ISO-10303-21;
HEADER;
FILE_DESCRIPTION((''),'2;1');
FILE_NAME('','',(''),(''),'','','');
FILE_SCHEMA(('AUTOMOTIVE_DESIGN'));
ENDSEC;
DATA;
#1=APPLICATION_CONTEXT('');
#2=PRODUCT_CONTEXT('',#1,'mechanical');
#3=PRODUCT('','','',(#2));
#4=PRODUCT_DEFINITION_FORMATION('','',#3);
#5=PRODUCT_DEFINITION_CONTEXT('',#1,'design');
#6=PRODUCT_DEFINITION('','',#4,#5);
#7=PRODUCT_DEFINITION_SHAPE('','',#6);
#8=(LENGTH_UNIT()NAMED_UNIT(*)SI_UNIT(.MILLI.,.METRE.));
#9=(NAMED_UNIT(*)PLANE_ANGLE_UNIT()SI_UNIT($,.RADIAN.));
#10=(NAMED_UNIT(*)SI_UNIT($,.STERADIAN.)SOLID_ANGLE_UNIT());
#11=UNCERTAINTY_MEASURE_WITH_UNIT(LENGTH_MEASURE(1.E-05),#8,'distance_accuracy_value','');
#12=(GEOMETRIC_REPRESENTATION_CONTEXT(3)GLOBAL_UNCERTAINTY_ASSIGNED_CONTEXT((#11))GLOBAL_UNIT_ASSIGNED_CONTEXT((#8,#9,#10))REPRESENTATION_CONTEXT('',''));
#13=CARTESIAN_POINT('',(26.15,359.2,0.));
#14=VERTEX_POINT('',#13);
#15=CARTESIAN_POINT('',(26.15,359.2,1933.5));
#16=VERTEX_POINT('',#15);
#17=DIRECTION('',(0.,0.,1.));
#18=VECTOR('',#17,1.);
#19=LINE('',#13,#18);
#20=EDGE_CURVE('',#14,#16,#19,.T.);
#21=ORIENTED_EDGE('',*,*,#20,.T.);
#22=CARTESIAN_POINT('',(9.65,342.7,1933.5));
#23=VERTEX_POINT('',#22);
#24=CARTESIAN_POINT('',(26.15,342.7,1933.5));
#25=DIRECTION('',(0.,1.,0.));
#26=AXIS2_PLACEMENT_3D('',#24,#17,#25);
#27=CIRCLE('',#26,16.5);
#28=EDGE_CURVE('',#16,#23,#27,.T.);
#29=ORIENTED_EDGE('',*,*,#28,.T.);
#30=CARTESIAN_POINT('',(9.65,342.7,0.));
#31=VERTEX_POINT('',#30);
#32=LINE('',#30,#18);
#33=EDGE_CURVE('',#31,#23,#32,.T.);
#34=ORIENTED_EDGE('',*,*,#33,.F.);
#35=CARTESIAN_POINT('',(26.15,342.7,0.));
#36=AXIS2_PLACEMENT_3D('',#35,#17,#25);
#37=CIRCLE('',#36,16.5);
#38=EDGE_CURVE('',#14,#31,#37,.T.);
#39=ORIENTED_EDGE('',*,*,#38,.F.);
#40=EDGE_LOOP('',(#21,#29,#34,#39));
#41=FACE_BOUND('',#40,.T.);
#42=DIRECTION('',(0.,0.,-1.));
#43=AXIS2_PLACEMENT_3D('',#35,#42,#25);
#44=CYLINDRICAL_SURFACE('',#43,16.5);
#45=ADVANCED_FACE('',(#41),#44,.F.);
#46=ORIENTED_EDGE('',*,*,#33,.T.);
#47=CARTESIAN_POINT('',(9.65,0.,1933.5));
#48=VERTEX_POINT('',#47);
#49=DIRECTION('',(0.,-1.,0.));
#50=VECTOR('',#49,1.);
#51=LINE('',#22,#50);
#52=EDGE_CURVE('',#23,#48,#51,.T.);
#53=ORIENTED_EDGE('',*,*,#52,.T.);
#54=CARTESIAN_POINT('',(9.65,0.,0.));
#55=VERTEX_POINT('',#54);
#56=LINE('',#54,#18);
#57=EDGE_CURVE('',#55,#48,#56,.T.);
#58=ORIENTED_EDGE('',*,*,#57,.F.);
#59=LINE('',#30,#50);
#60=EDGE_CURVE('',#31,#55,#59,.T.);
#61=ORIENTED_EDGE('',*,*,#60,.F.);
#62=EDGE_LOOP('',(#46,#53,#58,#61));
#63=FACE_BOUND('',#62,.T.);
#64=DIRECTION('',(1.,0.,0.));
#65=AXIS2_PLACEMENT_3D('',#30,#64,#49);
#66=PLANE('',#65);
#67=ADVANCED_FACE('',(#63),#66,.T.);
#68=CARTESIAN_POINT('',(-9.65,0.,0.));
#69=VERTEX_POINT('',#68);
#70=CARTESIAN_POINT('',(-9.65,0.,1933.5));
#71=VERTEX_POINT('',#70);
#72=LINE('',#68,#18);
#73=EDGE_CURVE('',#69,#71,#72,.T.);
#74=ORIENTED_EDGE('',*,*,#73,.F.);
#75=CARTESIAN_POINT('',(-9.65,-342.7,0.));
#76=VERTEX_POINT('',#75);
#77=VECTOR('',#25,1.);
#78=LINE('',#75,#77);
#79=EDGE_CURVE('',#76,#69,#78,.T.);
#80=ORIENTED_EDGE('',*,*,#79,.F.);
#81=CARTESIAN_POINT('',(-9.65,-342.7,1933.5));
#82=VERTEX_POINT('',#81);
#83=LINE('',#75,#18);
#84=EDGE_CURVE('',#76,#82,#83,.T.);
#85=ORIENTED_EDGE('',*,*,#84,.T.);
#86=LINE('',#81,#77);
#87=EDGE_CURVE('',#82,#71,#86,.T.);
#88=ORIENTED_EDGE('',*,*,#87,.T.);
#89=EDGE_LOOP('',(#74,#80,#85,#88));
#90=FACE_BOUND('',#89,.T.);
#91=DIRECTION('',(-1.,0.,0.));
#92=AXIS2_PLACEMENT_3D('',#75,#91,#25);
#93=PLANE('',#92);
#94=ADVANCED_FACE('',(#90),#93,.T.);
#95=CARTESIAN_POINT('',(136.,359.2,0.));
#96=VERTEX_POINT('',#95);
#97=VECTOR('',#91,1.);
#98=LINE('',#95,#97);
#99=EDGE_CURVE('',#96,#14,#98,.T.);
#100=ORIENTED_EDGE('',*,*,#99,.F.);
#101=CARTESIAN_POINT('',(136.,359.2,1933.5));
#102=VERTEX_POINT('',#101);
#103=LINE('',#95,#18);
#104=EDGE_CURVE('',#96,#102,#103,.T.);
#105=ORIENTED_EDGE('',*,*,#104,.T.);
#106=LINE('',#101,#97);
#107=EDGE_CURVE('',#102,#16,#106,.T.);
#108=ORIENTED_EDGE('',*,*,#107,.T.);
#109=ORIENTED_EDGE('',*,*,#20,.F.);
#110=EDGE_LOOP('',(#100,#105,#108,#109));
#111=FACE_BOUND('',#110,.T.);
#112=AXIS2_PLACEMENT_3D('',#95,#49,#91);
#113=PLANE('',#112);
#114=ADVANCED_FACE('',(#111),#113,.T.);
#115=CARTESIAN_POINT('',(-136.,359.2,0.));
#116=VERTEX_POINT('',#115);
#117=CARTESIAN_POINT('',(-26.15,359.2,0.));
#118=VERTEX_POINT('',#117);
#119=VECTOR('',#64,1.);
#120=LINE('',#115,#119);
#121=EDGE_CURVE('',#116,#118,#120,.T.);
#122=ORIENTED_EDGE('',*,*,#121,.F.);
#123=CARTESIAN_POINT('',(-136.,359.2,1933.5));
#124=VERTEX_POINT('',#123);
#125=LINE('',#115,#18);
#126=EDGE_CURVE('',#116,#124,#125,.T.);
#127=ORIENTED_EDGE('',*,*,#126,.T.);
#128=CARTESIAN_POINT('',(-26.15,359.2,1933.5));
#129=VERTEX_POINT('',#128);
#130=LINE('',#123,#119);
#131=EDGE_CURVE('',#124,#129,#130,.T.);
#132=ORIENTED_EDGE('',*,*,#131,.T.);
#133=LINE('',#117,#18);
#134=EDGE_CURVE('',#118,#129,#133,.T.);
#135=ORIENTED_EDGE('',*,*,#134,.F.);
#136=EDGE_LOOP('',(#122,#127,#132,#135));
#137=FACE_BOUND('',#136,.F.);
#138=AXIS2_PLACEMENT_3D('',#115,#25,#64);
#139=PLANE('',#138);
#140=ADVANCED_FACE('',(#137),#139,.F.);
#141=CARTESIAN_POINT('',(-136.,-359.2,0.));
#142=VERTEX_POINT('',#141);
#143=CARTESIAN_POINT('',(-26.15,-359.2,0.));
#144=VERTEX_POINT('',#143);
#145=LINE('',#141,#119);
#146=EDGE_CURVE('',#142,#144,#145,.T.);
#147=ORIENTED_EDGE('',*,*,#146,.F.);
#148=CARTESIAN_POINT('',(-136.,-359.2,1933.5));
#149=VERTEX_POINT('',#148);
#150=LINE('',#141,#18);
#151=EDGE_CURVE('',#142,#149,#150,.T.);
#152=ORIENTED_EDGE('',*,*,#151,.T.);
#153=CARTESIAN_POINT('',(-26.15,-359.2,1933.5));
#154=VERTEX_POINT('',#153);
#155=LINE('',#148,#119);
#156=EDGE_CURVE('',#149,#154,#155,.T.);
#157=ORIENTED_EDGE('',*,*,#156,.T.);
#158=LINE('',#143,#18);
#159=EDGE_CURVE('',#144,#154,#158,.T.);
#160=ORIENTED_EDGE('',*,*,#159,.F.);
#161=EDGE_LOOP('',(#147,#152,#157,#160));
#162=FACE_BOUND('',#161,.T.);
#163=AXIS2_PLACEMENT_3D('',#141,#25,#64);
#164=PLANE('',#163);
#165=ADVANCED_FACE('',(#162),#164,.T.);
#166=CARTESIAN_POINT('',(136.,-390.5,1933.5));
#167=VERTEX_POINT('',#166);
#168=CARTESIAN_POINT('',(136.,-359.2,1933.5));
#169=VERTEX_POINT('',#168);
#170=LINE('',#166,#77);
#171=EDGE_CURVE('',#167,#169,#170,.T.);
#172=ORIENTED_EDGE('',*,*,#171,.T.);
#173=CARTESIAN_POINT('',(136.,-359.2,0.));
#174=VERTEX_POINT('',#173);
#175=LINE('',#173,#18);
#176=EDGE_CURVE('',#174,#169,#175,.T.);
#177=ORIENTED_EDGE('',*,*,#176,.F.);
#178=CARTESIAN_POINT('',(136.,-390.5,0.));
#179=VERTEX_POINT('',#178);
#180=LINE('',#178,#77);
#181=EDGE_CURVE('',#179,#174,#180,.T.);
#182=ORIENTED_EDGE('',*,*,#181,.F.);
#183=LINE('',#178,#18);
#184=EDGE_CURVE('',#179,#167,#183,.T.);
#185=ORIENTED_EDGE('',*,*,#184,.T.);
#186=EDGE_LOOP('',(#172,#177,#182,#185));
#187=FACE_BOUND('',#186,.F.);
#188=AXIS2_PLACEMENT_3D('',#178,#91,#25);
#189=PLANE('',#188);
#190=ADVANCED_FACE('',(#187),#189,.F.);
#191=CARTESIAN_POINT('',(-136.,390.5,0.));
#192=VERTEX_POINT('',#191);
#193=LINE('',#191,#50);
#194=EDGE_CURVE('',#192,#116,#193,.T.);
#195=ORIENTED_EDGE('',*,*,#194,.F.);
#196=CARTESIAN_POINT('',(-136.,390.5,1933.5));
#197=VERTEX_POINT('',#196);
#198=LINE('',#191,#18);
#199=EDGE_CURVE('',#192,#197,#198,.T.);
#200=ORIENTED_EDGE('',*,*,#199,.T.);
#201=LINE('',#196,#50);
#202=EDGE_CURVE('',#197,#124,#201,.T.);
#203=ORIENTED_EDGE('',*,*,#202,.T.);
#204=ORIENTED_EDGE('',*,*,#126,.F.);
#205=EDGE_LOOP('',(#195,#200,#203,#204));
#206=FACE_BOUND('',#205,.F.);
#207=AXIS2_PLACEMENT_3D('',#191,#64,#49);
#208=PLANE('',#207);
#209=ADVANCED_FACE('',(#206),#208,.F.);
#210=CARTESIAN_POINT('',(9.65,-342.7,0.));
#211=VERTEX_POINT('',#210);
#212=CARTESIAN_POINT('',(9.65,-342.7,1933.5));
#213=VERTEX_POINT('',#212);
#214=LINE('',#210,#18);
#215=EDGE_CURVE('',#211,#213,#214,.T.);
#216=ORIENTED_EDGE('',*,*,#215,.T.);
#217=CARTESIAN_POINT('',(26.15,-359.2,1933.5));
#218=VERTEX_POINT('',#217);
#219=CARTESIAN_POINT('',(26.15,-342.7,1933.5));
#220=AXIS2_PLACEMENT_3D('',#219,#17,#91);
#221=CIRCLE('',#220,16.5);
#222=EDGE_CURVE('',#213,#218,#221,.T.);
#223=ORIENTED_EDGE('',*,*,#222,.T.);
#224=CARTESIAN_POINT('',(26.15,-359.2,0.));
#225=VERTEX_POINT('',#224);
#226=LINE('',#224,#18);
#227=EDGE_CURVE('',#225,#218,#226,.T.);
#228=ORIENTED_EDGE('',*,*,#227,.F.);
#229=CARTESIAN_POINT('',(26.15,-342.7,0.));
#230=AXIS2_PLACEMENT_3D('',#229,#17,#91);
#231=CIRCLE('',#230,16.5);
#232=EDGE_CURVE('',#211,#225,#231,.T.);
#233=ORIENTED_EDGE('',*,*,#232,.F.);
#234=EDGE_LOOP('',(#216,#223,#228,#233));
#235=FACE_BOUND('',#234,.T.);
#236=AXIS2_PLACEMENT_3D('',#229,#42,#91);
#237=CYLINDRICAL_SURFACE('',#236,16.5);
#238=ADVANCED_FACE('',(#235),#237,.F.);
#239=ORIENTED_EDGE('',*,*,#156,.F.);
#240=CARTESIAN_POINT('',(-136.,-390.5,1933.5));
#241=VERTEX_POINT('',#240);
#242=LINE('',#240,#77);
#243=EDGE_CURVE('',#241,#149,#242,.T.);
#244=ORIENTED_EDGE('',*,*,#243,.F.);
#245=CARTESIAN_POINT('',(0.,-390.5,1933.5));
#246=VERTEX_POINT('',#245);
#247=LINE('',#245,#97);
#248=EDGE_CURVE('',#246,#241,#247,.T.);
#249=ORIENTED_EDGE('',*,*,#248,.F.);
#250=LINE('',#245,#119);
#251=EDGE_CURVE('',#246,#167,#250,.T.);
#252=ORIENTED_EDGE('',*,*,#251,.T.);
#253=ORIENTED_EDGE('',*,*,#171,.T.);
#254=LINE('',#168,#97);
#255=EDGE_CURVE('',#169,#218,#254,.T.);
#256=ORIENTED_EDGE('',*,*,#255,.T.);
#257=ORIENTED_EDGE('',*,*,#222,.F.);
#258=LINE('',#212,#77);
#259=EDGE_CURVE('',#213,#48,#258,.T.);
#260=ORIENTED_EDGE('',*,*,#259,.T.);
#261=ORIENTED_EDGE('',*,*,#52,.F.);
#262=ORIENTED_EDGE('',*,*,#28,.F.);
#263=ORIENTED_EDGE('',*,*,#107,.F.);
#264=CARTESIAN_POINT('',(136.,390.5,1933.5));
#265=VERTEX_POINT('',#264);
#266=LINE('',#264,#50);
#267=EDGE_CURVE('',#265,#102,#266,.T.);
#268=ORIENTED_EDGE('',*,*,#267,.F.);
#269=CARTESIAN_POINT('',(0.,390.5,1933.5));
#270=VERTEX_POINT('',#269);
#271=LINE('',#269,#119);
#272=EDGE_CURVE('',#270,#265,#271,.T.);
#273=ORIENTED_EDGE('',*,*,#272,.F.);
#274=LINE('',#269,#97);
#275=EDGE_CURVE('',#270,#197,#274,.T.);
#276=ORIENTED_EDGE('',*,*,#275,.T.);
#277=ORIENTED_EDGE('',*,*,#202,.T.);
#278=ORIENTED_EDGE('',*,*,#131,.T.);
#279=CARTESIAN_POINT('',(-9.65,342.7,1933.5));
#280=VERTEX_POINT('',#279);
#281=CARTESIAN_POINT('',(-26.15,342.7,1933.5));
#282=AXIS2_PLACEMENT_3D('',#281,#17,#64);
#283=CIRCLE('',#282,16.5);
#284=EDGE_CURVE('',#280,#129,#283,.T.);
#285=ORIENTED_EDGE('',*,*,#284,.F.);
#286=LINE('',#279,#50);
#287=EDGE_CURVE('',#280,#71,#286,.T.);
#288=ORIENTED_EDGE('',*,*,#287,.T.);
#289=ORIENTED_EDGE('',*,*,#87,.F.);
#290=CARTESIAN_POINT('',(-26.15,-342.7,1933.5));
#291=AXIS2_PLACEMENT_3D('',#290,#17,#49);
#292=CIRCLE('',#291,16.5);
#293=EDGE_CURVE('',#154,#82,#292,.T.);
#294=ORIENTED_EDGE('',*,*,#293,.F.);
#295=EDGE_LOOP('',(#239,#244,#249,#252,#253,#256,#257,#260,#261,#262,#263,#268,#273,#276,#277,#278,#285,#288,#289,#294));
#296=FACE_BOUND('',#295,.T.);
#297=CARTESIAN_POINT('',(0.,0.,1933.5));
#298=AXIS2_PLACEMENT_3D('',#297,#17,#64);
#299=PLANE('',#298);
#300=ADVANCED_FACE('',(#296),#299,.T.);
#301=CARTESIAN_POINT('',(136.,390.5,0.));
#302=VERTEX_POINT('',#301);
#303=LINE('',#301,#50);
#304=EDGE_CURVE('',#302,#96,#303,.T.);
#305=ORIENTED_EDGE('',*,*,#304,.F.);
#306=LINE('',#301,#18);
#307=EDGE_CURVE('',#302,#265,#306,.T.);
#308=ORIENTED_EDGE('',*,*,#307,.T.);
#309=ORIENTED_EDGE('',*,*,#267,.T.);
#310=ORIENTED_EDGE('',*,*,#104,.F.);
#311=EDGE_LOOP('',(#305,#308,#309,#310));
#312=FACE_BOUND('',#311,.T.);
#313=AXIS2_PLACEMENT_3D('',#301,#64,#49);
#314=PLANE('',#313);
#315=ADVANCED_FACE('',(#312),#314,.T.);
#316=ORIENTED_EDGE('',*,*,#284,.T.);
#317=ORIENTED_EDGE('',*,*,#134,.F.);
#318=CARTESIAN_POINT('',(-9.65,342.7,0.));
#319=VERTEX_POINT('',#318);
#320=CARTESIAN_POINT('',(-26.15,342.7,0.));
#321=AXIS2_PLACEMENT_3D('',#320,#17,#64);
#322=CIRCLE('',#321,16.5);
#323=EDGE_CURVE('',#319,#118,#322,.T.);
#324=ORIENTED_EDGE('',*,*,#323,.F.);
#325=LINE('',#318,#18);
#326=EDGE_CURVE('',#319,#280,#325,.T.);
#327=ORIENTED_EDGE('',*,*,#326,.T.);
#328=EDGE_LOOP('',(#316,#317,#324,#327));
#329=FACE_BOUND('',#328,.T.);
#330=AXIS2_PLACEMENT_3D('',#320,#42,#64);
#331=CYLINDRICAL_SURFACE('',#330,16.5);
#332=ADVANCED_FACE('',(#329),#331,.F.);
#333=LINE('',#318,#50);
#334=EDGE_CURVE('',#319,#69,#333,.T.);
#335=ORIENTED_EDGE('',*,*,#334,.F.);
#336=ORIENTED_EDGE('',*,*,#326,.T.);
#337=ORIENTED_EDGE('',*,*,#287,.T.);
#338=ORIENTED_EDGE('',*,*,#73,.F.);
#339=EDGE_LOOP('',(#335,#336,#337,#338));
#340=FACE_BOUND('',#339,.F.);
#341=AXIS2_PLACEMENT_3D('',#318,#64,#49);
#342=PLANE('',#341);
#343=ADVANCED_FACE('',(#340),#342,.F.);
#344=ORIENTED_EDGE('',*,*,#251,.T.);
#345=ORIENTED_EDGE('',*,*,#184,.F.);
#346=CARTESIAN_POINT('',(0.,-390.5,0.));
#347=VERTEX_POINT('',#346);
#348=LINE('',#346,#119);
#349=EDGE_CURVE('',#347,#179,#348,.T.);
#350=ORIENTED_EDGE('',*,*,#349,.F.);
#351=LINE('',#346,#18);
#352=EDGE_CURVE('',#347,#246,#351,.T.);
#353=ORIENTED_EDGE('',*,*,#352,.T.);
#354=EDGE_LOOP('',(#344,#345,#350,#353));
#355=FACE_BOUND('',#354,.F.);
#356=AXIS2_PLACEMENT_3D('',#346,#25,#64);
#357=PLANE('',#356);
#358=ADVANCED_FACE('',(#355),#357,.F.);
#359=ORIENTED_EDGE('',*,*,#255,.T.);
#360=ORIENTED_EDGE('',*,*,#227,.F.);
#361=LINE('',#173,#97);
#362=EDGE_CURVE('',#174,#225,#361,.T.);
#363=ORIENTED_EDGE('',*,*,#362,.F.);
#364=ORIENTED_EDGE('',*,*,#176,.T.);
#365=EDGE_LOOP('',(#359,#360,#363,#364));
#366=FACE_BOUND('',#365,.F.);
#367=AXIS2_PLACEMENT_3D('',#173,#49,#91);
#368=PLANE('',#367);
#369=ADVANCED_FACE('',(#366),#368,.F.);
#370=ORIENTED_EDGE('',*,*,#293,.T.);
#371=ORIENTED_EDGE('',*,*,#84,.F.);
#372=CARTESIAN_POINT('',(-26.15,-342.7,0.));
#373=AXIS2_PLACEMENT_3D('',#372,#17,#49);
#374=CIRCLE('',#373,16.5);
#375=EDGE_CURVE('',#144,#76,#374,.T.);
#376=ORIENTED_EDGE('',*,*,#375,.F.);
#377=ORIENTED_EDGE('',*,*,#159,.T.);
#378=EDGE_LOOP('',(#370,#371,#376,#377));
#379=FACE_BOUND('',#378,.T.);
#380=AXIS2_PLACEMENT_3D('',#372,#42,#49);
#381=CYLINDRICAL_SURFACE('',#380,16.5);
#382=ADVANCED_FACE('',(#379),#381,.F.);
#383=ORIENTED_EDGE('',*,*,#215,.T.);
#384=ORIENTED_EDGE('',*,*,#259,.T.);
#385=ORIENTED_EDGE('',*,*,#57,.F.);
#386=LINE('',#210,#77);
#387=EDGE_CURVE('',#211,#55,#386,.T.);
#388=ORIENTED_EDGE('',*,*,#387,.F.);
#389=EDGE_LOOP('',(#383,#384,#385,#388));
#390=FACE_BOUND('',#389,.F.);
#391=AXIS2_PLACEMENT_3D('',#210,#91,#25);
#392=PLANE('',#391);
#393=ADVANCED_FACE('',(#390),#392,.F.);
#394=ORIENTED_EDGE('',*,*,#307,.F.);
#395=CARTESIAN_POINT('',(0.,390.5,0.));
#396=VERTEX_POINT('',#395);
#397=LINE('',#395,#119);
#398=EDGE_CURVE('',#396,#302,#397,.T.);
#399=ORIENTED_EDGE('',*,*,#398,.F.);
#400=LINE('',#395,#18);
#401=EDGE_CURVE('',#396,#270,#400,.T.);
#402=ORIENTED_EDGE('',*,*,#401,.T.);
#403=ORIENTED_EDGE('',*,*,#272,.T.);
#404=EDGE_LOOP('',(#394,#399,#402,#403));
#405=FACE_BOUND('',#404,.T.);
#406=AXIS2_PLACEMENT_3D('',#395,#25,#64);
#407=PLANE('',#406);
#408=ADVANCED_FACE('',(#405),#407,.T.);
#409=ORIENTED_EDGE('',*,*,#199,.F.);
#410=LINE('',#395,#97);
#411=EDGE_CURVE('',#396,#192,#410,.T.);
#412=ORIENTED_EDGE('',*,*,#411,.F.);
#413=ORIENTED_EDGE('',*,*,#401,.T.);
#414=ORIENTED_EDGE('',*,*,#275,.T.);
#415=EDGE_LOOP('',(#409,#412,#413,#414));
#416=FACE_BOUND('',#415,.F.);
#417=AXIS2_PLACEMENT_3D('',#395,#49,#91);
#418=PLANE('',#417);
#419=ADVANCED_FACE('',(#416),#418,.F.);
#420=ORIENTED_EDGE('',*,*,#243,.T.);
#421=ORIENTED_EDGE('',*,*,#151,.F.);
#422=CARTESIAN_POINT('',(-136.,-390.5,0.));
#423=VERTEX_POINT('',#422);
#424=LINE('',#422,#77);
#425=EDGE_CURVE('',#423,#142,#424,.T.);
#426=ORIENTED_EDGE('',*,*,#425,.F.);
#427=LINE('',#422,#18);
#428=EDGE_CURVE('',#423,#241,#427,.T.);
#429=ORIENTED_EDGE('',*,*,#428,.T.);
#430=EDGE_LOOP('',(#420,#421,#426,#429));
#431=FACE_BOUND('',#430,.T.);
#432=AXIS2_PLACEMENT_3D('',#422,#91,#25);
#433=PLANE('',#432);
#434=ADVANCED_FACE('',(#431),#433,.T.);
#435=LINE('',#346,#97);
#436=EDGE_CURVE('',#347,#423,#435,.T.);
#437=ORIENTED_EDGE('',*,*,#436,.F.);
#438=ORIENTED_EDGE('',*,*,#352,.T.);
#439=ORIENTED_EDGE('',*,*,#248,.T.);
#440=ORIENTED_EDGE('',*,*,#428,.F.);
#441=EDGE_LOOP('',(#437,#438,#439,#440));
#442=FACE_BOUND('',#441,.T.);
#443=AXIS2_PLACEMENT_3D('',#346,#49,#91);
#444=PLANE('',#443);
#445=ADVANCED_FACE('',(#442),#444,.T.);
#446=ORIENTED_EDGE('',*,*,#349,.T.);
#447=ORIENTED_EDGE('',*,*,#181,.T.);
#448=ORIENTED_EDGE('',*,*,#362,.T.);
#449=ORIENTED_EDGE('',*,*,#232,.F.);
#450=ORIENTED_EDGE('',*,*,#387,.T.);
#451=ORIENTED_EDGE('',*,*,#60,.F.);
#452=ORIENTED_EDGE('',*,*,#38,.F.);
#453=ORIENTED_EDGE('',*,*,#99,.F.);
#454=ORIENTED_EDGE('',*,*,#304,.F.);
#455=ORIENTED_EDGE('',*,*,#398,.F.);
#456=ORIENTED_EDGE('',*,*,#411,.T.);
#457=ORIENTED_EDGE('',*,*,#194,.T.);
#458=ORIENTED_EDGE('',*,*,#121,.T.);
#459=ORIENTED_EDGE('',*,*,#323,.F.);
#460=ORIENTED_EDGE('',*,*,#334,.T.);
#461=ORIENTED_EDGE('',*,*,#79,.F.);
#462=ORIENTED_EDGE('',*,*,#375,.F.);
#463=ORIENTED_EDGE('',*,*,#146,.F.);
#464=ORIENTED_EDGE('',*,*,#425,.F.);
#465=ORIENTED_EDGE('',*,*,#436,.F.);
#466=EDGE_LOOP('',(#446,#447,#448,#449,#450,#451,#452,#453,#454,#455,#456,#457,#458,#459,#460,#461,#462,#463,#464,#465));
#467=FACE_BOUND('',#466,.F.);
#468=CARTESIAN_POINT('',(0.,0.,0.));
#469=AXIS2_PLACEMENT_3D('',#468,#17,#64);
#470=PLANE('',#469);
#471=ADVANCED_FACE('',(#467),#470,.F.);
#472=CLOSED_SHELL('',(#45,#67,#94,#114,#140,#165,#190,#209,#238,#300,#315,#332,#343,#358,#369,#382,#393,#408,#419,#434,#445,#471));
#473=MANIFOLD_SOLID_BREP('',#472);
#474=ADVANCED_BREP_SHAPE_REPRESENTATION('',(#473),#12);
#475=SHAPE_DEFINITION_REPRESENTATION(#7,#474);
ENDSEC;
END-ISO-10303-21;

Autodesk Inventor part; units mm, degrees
ref_plane "YZ Plane" through (0, 0, 0) normal (1, 0, 0) x (0, 1, 0)
ref_plane "Start plane" through (0, 0, 0) normal (0, 0, 1) x (1, 0, 0)
ref_plane "End plane" through (0, 0, 1933.5) normal (0, 0, 1) x (1, 0, 0)
sketch "Sketch" plane through (0, 0, 0) normal (0, 0, 1) x (1, 0, 0)
  line L0 (-136, -390.5) -> (-136, -359.2)
  line L1 (-136, -359.2) -> (-26.15, -359.2)
  line L2 (-9.65, -342.7) -> (-9.65, 0)
  line L3 (-9.65, 0) -> (0, 0) construction
  line L4 (0, 0) -> (0, -390.5) construction
  line L5 (0, -390.5) -> (-136, -390.5)
  line L6 (-60, 0) -> (80, 0) construction
  line L7 (0, -60) -> (0, 80) construction
  line L8 (136, -390.5) -> (136, -359.2)
  line L9 (136, -359.2) -> (26.15, -359.2)
  line L10 (9.65, -342.7) -> (9.65, 0)
  line L11 (9.65, 0) -> (0, 0) construction
  line L12 (0, -390.5) -> (136, -390.5)
  line L13 (-136, 390.5) -> (-136, 359.2)
  line L14 (-136, 359.2) -> (-26.15, 359.2)
  line L15 (-9.65, 342.7) -> (-9.65, 0)
  line L16 (0, 390.5) -> (-136, 390.5)
  line L17 (136, 390.5) -> (136, 359.2)
  line L18 (136, 359.2) -> (26.15, 359.2)
  line L19 (0, 390.5) -> (136, 390.5)
  line L20 (9.65, 342.7) -> (9.65, 0)
  arc A0 (-9.65, 342.7) -> (-26.15, 359.2) centre (-26.15, 342.7) ccw
  arc A1 (26.15, 359.2) -> (9.65, 342.7) centre (26.15, 342.7) ccw
  arc A2 (9.65, -342.7) -> (26.15, -359.2) centre (26.15, -342.7) ccw
  arc A3 (-26.15, -359.2) -> (-9.65, -342.7) centre (-26.15, -342.7) ccw
  line L21 (0, 108) -> (0, -88) construction
  line L22 (-88, 0) -> (108, 0) construction
  point P0 (-9.65, -359.2)
  point P1 (9.65, -359.2)
  point P2 (-9.65, 359.2)
  point P3 (9.65, 359.2)
  dimension "d1" = 390.5
  dimension "d2" = 31.3
  dimension "d3" = 136
  dimension "d4" = 9.65
  dimension "d10" = 16.5
extrude "Body" add sketch "Sketch" along normal up to surface (1933.5 mm away) from surface at 0
sketch "Sketch4" plane through (0, 0, 0) normal (0, 0, 1) x (1, 0, 0)
  line L0 (0, 0) -> (10, 0)
ref_plane "Work Plane3" through (0, 0, 0) normal (0, -1, 0) x (1, 0, 0)
sketch "Sketch5" plane through (0, 0, 0) normal (0, -1, 0) x (1, 0, 0)
  line L0 (-2, 0) -> (12, 0) projected
  line L1 (-2, 1933.5) -> (12, 1933.5) projected
  dimension "d14" = 1933.5
equation "\"d1\" = 0.5 * G_H"
equation "\"d2\" = G_T1"
equation "\"d3\" = 0.5 * G_W"
equation "\"d4\" = 0.5 * G_T"
equation "\"d10\" = G_IR"
equation "\"d5\" = G_L"
equation "\"G_W\" = 272"
equation "\"G_H\" = 781"
equation "\"G_T\" = 19.3"
equation "\"G_T1\" = 31.3"
equation "\"G_IR\" = 16.5"
equation "\"G_L\" = d14"
equation "\"G_OFFSET_START\" = 0"
equation "\"G_OFFSET_END\" = 0"
equation "\"d12\" = G_OFFSET_END + B_L"
equation "\"B_L\" = 1933.5"
properties part number "AS 3679-1990 - 760 UB - 244 - 1933.5" material "Steel, Mild"
